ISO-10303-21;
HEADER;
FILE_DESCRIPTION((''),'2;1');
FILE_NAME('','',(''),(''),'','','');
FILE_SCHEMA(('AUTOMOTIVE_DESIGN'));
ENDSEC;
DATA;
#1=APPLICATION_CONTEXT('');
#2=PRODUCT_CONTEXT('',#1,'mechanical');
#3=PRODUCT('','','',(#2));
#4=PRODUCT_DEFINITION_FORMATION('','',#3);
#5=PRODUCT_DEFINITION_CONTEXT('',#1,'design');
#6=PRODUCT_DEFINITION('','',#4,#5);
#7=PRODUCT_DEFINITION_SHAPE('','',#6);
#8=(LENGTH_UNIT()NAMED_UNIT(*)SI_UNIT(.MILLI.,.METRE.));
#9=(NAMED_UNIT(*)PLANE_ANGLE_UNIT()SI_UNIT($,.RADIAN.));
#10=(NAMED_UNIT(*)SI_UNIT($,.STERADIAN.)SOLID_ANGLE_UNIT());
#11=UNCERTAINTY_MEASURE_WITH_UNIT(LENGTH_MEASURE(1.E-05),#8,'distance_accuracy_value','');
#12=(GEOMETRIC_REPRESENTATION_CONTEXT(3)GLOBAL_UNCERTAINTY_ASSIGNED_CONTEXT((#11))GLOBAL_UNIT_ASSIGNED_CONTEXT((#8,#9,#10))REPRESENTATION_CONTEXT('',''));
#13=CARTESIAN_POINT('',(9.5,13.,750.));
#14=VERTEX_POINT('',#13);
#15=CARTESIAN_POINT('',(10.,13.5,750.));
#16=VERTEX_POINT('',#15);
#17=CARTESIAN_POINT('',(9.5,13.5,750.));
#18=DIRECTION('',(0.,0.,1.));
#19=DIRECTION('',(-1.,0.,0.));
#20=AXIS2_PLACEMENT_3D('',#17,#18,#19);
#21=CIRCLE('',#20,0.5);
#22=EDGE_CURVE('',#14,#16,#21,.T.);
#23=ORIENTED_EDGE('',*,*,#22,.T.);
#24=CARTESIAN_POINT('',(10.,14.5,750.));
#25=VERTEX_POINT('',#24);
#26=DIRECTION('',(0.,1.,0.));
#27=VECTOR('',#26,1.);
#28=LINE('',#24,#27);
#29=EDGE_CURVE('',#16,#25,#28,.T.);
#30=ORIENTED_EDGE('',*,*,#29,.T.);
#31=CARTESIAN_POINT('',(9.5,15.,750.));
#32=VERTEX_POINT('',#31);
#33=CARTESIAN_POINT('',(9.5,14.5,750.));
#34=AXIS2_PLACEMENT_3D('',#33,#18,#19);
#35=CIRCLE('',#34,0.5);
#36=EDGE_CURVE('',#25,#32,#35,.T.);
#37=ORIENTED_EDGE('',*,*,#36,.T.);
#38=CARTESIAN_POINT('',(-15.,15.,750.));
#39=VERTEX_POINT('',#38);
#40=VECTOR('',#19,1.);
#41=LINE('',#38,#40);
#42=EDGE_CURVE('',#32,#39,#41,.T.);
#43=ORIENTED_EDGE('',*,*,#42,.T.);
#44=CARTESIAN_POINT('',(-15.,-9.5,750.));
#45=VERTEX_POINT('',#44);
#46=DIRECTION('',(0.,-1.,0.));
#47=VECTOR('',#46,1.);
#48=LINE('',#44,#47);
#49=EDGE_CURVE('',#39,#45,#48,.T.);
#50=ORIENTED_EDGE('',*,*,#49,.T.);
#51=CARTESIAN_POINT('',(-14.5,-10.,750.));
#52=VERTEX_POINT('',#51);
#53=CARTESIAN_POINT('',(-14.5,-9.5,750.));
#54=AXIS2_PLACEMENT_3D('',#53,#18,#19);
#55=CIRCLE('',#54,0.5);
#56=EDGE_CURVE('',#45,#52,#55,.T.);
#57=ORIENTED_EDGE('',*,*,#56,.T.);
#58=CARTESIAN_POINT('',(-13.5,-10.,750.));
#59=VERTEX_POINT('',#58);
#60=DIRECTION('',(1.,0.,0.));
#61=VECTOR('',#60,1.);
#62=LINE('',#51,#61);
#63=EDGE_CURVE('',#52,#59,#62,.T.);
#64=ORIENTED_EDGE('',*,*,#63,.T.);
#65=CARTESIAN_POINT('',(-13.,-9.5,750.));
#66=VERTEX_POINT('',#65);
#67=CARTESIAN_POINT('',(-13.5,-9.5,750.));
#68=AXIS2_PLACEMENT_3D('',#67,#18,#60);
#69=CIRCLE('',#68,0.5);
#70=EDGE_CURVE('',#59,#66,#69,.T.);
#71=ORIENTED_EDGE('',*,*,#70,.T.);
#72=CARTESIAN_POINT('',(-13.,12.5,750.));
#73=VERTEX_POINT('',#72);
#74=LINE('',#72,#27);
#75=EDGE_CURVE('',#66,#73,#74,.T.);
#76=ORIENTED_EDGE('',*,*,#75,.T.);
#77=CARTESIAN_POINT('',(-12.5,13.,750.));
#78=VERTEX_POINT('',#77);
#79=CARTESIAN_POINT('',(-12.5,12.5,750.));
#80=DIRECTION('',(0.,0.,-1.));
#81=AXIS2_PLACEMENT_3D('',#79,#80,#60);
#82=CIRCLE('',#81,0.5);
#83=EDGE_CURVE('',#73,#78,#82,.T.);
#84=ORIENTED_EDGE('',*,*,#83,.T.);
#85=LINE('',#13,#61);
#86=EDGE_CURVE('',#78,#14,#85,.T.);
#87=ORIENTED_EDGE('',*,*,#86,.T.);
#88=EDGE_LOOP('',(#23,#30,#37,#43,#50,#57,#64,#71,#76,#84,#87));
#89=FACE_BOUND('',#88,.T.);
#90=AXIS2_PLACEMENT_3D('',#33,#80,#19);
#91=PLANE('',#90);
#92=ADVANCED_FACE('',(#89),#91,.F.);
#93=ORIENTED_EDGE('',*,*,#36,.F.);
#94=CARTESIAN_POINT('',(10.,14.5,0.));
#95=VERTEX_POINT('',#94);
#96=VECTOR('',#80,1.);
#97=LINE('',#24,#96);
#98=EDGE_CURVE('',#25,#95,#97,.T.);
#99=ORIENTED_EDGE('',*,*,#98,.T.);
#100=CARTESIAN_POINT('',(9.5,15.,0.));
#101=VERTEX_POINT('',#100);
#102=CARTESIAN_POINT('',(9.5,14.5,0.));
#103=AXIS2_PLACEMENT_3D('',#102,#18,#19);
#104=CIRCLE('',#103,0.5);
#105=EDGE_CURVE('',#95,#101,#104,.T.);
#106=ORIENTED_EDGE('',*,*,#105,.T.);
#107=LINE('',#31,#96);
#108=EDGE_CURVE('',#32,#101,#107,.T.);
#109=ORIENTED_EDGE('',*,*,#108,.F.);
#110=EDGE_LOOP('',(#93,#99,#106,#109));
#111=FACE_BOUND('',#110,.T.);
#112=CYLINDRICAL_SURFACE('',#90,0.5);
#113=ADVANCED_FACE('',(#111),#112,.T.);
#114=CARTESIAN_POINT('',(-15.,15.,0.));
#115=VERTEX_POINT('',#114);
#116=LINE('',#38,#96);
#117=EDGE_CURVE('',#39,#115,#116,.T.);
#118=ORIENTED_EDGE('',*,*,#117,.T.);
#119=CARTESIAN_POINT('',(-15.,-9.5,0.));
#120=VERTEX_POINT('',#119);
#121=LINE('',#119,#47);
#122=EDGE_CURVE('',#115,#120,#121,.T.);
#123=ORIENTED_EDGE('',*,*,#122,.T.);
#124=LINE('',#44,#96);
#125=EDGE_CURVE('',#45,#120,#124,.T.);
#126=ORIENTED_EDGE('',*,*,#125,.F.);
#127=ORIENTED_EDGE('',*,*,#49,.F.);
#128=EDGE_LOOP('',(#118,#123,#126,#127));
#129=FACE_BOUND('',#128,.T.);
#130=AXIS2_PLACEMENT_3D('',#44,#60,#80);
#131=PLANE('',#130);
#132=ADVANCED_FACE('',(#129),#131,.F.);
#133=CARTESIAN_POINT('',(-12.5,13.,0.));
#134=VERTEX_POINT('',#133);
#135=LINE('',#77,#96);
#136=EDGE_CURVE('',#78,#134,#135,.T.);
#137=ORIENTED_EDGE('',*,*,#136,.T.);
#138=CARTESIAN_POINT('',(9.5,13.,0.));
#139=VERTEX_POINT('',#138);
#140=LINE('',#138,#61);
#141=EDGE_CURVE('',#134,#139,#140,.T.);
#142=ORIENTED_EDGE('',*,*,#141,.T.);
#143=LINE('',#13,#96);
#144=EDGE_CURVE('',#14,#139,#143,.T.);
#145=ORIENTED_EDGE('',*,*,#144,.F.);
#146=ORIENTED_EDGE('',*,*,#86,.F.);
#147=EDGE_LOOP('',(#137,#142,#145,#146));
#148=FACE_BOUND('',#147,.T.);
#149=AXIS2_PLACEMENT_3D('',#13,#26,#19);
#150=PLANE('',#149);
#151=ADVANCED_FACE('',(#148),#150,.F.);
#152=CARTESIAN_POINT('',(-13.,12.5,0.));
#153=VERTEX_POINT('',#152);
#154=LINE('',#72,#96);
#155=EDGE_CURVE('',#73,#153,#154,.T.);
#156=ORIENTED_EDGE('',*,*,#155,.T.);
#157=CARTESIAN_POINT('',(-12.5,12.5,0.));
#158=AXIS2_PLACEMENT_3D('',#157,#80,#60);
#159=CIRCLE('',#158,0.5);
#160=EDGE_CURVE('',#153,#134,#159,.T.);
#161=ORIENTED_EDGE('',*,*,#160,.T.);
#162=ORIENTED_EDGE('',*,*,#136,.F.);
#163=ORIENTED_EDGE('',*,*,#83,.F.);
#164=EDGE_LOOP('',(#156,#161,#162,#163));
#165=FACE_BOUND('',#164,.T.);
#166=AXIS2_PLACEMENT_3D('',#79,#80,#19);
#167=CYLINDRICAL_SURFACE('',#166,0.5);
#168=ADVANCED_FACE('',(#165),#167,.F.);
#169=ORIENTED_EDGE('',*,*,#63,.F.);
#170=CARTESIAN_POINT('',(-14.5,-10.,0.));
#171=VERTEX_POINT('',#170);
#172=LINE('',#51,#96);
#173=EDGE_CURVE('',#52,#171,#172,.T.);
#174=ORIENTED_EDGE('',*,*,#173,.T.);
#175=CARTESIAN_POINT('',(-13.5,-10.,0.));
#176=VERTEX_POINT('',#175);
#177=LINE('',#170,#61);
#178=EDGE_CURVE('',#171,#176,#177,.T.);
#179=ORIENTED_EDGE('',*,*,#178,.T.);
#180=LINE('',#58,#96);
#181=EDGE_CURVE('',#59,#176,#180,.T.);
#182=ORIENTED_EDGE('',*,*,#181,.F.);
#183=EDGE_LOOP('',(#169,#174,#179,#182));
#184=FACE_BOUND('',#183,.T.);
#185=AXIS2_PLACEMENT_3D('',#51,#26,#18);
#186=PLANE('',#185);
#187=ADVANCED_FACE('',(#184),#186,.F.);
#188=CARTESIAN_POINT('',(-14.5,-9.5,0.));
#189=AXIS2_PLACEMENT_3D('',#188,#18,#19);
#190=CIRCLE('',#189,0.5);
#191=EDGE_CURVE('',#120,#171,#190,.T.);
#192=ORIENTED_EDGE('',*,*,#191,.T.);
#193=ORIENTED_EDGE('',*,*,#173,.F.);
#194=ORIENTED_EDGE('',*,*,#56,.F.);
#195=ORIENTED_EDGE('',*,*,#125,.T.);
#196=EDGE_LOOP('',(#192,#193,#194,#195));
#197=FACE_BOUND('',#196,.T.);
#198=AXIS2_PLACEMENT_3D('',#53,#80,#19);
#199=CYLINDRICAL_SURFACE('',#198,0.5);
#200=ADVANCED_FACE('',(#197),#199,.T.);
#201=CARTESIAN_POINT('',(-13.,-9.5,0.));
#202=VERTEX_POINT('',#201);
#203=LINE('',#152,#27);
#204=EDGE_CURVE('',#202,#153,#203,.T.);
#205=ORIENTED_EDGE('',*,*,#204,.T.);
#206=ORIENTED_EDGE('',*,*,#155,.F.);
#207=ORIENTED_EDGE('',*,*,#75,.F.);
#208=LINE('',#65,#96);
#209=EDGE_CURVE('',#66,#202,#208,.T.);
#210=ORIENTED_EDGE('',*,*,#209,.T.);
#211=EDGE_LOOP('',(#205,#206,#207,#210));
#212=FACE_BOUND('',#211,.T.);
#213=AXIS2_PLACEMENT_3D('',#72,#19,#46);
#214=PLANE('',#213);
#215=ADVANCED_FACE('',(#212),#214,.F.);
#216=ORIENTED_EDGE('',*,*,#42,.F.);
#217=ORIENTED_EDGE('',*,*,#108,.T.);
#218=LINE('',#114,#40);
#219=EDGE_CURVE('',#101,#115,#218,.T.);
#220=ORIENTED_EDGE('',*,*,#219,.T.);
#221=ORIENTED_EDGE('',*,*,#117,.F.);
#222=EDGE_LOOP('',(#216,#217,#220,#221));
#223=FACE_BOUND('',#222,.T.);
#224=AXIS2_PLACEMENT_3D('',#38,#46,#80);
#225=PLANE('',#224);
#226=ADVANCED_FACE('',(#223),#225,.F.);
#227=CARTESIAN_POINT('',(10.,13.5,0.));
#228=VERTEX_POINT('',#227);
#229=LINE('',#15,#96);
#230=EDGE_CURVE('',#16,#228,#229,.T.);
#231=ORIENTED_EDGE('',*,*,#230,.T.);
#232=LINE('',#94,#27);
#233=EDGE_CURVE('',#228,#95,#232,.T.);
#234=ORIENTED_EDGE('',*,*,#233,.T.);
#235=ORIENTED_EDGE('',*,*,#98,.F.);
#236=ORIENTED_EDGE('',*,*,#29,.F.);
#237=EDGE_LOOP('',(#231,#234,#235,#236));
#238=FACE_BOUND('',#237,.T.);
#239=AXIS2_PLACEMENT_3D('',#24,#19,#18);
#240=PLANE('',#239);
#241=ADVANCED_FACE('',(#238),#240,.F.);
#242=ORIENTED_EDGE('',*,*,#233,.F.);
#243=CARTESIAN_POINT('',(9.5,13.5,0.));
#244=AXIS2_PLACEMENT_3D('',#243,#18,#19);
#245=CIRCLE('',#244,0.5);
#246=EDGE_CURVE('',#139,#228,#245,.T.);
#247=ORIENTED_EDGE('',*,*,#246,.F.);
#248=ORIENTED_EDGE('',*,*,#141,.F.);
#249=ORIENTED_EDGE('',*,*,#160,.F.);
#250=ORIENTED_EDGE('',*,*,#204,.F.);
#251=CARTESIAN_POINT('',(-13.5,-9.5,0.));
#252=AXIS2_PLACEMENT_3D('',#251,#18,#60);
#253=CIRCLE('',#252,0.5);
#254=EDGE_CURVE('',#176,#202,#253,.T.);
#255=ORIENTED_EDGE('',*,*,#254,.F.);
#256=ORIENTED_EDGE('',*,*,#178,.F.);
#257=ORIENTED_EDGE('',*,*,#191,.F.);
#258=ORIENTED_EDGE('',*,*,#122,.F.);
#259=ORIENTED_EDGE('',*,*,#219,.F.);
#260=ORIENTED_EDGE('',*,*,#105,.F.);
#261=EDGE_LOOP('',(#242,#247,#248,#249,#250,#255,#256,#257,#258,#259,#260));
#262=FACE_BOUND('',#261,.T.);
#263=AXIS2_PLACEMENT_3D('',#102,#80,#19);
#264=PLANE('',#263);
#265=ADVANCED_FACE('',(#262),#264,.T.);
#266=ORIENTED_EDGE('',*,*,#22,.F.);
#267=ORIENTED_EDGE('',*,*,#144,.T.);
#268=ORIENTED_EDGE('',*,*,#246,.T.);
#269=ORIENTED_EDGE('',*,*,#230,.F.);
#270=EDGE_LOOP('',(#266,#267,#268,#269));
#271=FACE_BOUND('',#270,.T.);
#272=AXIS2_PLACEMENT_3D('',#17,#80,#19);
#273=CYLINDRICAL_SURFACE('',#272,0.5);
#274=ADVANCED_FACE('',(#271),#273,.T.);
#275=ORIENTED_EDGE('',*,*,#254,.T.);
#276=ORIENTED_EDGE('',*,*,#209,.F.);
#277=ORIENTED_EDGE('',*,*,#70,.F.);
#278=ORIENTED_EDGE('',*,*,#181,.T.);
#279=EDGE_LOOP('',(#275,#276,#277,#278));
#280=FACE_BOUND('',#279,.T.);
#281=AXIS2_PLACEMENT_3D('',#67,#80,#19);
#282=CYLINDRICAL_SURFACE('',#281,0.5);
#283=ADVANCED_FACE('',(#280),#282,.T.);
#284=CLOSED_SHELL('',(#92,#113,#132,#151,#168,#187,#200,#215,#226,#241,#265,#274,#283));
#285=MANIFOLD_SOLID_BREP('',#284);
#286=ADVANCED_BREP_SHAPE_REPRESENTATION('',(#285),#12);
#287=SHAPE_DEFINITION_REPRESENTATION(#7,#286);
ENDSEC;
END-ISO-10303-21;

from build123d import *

# Parameters (mm, degrees)
EXTRUDE_1_DEPTH = 750


with BuildPart() as part:
    # Эскиз1 → Бобышка-Вытянуть1 (new body)
    with BuildSketch(Plane.XY):
        with BuildLine():
            Line((10, 14.5), (10, 13.5))
            ThreePointArc((10, 13.5), (9.853553391, 13.146446609), (9.5, 13))
            Line((9.5, 13), (-12.5, 13))
            ThreePointArc((-12.5, 13), (-12.853553391, 12.853553391), (-13, 12.5))
            Line((-13, 12.5), (-13, -9.5))
            ThreePointArc((-13, -9.5), (-13.146446609, -9.853553391), (-13.5, -10))
            Line((-13.5, -10), (-14.5, -10))
            ThreePointArc((-14.5, -10), (-14.853553391, -9.853553391), (-15, -9.5))
            Line((-15, -9.5), (-15, 15))
            Line((-15, 15), (9.5, 15))
            ThreePointArc((9.5, 15), (9.853553391, 14.853553391), (10, 14.5))
        make_face()
    extrude(amount=EXTRUDE_1_DEPTH)


solid = part.part
